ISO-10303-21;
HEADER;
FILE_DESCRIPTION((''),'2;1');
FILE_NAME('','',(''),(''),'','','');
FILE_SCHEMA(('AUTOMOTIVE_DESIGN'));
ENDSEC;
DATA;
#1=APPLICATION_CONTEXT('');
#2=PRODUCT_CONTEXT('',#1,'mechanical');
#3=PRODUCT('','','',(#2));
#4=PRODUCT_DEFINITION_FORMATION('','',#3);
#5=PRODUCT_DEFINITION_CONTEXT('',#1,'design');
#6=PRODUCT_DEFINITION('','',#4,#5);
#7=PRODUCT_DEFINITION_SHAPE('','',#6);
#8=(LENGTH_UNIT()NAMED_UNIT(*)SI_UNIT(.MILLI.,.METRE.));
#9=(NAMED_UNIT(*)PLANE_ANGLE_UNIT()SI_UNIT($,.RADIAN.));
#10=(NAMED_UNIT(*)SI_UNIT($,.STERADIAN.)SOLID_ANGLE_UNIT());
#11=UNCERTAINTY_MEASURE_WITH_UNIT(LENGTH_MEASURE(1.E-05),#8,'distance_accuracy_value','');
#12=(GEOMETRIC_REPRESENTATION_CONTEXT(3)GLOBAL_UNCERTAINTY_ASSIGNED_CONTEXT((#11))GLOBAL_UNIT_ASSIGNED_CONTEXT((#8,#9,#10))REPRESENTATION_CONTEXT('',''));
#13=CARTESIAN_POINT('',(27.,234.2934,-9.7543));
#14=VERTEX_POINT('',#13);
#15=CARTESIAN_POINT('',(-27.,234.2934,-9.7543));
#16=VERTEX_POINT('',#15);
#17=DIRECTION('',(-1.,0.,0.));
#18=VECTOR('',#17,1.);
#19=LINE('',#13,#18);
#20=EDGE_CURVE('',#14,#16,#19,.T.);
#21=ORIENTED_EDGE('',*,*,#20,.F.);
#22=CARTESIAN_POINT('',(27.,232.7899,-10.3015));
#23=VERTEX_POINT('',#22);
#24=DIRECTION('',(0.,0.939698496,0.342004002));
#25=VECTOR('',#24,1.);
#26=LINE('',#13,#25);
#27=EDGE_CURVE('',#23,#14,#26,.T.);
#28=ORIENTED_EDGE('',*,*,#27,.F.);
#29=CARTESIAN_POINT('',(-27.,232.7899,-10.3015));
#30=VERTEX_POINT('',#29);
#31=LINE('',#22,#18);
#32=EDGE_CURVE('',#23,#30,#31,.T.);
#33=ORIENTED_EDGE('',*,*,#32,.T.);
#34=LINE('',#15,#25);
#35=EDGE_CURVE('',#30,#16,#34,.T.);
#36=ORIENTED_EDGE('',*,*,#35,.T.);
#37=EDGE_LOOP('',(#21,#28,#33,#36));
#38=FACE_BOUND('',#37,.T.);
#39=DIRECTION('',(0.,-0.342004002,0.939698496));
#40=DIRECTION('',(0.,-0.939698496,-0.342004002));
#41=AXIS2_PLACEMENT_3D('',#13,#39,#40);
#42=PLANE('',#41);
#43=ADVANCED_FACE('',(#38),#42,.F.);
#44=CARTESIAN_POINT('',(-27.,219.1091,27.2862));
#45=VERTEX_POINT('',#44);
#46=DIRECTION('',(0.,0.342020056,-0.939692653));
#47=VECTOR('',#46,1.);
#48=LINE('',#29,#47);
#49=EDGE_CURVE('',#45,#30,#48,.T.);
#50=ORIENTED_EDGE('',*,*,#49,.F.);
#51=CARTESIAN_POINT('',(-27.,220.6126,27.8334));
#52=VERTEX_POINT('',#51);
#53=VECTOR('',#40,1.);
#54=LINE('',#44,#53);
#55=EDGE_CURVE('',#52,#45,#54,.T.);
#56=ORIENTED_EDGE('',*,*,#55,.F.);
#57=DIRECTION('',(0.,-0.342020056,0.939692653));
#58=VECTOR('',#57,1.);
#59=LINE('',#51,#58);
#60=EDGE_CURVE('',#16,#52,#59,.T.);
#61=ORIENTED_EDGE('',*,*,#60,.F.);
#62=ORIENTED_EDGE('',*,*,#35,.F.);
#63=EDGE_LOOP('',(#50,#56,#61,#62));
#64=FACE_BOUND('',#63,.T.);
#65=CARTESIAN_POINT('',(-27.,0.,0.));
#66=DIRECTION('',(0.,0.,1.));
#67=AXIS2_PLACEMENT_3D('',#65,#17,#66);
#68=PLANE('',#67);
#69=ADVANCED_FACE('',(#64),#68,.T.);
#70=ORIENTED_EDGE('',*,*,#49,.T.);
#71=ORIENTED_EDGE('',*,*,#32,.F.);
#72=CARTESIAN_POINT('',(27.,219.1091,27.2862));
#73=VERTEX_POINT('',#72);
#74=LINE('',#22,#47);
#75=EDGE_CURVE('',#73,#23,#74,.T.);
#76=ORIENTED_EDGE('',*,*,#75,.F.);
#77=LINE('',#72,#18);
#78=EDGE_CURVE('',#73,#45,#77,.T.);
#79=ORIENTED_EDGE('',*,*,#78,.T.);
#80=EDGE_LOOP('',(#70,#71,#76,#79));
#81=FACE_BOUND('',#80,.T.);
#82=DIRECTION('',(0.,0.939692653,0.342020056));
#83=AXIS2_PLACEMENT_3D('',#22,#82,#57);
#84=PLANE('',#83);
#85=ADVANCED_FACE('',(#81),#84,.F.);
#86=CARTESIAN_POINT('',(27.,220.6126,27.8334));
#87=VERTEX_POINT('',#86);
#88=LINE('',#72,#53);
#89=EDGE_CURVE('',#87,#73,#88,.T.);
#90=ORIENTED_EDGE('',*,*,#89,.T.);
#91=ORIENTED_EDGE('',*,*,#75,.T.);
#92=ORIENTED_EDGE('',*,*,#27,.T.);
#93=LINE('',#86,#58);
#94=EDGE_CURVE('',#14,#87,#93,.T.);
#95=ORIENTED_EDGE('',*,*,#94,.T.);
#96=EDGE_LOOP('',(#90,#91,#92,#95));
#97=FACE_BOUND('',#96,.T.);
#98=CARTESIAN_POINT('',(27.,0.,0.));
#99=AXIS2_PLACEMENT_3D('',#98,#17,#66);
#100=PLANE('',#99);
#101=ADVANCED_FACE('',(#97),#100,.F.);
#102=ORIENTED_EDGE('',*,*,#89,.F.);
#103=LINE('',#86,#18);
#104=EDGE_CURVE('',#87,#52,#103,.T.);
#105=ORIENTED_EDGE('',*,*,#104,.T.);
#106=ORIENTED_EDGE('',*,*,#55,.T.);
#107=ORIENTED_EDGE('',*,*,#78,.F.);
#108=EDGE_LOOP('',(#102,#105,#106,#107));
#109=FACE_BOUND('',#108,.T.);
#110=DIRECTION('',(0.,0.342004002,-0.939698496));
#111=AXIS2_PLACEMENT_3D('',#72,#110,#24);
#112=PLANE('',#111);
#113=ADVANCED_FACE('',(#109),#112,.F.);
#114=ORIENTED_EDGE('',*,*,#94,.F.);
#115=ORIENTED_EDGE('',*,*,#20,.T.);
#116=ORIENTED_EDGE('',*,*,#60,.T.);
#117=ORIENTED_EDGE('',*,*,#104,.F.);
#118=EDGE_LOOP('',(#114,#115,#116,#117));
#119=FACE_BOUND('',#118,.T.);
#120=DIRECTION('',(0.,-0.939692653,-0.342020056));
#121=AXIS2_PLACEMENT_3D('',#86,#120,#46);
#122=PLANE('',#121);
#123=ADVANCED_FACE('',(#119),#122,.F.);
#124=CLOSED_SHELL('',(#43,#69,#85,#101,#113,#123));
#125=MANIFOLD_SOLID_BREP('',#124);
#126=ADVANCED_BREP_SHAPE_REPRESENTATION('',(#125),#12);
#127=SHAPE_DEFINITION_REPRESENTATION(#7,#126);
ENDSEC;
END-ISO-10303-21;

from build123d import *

# Parameters (mm, degrees)
BOSS_EXTRUDE1_DEPTH = 54


with BuildPart() as part:
    # Sketch1 → Boss-Extrude1 (new body)
    with BuildSketch(Plane(origin=(-27, 0, 0), x_dir=(0, 0, -1), z_dir=(1, 0, 0))):
        Polygon((10.3015, 232.7899), (-27.2862, 219.1091), (-27.8334, 220.6126), (9.7543, 234.2934), align=None)
    extrude(amount=BOSS_EXTRUDE1_DEPTH)


solid = part.part
